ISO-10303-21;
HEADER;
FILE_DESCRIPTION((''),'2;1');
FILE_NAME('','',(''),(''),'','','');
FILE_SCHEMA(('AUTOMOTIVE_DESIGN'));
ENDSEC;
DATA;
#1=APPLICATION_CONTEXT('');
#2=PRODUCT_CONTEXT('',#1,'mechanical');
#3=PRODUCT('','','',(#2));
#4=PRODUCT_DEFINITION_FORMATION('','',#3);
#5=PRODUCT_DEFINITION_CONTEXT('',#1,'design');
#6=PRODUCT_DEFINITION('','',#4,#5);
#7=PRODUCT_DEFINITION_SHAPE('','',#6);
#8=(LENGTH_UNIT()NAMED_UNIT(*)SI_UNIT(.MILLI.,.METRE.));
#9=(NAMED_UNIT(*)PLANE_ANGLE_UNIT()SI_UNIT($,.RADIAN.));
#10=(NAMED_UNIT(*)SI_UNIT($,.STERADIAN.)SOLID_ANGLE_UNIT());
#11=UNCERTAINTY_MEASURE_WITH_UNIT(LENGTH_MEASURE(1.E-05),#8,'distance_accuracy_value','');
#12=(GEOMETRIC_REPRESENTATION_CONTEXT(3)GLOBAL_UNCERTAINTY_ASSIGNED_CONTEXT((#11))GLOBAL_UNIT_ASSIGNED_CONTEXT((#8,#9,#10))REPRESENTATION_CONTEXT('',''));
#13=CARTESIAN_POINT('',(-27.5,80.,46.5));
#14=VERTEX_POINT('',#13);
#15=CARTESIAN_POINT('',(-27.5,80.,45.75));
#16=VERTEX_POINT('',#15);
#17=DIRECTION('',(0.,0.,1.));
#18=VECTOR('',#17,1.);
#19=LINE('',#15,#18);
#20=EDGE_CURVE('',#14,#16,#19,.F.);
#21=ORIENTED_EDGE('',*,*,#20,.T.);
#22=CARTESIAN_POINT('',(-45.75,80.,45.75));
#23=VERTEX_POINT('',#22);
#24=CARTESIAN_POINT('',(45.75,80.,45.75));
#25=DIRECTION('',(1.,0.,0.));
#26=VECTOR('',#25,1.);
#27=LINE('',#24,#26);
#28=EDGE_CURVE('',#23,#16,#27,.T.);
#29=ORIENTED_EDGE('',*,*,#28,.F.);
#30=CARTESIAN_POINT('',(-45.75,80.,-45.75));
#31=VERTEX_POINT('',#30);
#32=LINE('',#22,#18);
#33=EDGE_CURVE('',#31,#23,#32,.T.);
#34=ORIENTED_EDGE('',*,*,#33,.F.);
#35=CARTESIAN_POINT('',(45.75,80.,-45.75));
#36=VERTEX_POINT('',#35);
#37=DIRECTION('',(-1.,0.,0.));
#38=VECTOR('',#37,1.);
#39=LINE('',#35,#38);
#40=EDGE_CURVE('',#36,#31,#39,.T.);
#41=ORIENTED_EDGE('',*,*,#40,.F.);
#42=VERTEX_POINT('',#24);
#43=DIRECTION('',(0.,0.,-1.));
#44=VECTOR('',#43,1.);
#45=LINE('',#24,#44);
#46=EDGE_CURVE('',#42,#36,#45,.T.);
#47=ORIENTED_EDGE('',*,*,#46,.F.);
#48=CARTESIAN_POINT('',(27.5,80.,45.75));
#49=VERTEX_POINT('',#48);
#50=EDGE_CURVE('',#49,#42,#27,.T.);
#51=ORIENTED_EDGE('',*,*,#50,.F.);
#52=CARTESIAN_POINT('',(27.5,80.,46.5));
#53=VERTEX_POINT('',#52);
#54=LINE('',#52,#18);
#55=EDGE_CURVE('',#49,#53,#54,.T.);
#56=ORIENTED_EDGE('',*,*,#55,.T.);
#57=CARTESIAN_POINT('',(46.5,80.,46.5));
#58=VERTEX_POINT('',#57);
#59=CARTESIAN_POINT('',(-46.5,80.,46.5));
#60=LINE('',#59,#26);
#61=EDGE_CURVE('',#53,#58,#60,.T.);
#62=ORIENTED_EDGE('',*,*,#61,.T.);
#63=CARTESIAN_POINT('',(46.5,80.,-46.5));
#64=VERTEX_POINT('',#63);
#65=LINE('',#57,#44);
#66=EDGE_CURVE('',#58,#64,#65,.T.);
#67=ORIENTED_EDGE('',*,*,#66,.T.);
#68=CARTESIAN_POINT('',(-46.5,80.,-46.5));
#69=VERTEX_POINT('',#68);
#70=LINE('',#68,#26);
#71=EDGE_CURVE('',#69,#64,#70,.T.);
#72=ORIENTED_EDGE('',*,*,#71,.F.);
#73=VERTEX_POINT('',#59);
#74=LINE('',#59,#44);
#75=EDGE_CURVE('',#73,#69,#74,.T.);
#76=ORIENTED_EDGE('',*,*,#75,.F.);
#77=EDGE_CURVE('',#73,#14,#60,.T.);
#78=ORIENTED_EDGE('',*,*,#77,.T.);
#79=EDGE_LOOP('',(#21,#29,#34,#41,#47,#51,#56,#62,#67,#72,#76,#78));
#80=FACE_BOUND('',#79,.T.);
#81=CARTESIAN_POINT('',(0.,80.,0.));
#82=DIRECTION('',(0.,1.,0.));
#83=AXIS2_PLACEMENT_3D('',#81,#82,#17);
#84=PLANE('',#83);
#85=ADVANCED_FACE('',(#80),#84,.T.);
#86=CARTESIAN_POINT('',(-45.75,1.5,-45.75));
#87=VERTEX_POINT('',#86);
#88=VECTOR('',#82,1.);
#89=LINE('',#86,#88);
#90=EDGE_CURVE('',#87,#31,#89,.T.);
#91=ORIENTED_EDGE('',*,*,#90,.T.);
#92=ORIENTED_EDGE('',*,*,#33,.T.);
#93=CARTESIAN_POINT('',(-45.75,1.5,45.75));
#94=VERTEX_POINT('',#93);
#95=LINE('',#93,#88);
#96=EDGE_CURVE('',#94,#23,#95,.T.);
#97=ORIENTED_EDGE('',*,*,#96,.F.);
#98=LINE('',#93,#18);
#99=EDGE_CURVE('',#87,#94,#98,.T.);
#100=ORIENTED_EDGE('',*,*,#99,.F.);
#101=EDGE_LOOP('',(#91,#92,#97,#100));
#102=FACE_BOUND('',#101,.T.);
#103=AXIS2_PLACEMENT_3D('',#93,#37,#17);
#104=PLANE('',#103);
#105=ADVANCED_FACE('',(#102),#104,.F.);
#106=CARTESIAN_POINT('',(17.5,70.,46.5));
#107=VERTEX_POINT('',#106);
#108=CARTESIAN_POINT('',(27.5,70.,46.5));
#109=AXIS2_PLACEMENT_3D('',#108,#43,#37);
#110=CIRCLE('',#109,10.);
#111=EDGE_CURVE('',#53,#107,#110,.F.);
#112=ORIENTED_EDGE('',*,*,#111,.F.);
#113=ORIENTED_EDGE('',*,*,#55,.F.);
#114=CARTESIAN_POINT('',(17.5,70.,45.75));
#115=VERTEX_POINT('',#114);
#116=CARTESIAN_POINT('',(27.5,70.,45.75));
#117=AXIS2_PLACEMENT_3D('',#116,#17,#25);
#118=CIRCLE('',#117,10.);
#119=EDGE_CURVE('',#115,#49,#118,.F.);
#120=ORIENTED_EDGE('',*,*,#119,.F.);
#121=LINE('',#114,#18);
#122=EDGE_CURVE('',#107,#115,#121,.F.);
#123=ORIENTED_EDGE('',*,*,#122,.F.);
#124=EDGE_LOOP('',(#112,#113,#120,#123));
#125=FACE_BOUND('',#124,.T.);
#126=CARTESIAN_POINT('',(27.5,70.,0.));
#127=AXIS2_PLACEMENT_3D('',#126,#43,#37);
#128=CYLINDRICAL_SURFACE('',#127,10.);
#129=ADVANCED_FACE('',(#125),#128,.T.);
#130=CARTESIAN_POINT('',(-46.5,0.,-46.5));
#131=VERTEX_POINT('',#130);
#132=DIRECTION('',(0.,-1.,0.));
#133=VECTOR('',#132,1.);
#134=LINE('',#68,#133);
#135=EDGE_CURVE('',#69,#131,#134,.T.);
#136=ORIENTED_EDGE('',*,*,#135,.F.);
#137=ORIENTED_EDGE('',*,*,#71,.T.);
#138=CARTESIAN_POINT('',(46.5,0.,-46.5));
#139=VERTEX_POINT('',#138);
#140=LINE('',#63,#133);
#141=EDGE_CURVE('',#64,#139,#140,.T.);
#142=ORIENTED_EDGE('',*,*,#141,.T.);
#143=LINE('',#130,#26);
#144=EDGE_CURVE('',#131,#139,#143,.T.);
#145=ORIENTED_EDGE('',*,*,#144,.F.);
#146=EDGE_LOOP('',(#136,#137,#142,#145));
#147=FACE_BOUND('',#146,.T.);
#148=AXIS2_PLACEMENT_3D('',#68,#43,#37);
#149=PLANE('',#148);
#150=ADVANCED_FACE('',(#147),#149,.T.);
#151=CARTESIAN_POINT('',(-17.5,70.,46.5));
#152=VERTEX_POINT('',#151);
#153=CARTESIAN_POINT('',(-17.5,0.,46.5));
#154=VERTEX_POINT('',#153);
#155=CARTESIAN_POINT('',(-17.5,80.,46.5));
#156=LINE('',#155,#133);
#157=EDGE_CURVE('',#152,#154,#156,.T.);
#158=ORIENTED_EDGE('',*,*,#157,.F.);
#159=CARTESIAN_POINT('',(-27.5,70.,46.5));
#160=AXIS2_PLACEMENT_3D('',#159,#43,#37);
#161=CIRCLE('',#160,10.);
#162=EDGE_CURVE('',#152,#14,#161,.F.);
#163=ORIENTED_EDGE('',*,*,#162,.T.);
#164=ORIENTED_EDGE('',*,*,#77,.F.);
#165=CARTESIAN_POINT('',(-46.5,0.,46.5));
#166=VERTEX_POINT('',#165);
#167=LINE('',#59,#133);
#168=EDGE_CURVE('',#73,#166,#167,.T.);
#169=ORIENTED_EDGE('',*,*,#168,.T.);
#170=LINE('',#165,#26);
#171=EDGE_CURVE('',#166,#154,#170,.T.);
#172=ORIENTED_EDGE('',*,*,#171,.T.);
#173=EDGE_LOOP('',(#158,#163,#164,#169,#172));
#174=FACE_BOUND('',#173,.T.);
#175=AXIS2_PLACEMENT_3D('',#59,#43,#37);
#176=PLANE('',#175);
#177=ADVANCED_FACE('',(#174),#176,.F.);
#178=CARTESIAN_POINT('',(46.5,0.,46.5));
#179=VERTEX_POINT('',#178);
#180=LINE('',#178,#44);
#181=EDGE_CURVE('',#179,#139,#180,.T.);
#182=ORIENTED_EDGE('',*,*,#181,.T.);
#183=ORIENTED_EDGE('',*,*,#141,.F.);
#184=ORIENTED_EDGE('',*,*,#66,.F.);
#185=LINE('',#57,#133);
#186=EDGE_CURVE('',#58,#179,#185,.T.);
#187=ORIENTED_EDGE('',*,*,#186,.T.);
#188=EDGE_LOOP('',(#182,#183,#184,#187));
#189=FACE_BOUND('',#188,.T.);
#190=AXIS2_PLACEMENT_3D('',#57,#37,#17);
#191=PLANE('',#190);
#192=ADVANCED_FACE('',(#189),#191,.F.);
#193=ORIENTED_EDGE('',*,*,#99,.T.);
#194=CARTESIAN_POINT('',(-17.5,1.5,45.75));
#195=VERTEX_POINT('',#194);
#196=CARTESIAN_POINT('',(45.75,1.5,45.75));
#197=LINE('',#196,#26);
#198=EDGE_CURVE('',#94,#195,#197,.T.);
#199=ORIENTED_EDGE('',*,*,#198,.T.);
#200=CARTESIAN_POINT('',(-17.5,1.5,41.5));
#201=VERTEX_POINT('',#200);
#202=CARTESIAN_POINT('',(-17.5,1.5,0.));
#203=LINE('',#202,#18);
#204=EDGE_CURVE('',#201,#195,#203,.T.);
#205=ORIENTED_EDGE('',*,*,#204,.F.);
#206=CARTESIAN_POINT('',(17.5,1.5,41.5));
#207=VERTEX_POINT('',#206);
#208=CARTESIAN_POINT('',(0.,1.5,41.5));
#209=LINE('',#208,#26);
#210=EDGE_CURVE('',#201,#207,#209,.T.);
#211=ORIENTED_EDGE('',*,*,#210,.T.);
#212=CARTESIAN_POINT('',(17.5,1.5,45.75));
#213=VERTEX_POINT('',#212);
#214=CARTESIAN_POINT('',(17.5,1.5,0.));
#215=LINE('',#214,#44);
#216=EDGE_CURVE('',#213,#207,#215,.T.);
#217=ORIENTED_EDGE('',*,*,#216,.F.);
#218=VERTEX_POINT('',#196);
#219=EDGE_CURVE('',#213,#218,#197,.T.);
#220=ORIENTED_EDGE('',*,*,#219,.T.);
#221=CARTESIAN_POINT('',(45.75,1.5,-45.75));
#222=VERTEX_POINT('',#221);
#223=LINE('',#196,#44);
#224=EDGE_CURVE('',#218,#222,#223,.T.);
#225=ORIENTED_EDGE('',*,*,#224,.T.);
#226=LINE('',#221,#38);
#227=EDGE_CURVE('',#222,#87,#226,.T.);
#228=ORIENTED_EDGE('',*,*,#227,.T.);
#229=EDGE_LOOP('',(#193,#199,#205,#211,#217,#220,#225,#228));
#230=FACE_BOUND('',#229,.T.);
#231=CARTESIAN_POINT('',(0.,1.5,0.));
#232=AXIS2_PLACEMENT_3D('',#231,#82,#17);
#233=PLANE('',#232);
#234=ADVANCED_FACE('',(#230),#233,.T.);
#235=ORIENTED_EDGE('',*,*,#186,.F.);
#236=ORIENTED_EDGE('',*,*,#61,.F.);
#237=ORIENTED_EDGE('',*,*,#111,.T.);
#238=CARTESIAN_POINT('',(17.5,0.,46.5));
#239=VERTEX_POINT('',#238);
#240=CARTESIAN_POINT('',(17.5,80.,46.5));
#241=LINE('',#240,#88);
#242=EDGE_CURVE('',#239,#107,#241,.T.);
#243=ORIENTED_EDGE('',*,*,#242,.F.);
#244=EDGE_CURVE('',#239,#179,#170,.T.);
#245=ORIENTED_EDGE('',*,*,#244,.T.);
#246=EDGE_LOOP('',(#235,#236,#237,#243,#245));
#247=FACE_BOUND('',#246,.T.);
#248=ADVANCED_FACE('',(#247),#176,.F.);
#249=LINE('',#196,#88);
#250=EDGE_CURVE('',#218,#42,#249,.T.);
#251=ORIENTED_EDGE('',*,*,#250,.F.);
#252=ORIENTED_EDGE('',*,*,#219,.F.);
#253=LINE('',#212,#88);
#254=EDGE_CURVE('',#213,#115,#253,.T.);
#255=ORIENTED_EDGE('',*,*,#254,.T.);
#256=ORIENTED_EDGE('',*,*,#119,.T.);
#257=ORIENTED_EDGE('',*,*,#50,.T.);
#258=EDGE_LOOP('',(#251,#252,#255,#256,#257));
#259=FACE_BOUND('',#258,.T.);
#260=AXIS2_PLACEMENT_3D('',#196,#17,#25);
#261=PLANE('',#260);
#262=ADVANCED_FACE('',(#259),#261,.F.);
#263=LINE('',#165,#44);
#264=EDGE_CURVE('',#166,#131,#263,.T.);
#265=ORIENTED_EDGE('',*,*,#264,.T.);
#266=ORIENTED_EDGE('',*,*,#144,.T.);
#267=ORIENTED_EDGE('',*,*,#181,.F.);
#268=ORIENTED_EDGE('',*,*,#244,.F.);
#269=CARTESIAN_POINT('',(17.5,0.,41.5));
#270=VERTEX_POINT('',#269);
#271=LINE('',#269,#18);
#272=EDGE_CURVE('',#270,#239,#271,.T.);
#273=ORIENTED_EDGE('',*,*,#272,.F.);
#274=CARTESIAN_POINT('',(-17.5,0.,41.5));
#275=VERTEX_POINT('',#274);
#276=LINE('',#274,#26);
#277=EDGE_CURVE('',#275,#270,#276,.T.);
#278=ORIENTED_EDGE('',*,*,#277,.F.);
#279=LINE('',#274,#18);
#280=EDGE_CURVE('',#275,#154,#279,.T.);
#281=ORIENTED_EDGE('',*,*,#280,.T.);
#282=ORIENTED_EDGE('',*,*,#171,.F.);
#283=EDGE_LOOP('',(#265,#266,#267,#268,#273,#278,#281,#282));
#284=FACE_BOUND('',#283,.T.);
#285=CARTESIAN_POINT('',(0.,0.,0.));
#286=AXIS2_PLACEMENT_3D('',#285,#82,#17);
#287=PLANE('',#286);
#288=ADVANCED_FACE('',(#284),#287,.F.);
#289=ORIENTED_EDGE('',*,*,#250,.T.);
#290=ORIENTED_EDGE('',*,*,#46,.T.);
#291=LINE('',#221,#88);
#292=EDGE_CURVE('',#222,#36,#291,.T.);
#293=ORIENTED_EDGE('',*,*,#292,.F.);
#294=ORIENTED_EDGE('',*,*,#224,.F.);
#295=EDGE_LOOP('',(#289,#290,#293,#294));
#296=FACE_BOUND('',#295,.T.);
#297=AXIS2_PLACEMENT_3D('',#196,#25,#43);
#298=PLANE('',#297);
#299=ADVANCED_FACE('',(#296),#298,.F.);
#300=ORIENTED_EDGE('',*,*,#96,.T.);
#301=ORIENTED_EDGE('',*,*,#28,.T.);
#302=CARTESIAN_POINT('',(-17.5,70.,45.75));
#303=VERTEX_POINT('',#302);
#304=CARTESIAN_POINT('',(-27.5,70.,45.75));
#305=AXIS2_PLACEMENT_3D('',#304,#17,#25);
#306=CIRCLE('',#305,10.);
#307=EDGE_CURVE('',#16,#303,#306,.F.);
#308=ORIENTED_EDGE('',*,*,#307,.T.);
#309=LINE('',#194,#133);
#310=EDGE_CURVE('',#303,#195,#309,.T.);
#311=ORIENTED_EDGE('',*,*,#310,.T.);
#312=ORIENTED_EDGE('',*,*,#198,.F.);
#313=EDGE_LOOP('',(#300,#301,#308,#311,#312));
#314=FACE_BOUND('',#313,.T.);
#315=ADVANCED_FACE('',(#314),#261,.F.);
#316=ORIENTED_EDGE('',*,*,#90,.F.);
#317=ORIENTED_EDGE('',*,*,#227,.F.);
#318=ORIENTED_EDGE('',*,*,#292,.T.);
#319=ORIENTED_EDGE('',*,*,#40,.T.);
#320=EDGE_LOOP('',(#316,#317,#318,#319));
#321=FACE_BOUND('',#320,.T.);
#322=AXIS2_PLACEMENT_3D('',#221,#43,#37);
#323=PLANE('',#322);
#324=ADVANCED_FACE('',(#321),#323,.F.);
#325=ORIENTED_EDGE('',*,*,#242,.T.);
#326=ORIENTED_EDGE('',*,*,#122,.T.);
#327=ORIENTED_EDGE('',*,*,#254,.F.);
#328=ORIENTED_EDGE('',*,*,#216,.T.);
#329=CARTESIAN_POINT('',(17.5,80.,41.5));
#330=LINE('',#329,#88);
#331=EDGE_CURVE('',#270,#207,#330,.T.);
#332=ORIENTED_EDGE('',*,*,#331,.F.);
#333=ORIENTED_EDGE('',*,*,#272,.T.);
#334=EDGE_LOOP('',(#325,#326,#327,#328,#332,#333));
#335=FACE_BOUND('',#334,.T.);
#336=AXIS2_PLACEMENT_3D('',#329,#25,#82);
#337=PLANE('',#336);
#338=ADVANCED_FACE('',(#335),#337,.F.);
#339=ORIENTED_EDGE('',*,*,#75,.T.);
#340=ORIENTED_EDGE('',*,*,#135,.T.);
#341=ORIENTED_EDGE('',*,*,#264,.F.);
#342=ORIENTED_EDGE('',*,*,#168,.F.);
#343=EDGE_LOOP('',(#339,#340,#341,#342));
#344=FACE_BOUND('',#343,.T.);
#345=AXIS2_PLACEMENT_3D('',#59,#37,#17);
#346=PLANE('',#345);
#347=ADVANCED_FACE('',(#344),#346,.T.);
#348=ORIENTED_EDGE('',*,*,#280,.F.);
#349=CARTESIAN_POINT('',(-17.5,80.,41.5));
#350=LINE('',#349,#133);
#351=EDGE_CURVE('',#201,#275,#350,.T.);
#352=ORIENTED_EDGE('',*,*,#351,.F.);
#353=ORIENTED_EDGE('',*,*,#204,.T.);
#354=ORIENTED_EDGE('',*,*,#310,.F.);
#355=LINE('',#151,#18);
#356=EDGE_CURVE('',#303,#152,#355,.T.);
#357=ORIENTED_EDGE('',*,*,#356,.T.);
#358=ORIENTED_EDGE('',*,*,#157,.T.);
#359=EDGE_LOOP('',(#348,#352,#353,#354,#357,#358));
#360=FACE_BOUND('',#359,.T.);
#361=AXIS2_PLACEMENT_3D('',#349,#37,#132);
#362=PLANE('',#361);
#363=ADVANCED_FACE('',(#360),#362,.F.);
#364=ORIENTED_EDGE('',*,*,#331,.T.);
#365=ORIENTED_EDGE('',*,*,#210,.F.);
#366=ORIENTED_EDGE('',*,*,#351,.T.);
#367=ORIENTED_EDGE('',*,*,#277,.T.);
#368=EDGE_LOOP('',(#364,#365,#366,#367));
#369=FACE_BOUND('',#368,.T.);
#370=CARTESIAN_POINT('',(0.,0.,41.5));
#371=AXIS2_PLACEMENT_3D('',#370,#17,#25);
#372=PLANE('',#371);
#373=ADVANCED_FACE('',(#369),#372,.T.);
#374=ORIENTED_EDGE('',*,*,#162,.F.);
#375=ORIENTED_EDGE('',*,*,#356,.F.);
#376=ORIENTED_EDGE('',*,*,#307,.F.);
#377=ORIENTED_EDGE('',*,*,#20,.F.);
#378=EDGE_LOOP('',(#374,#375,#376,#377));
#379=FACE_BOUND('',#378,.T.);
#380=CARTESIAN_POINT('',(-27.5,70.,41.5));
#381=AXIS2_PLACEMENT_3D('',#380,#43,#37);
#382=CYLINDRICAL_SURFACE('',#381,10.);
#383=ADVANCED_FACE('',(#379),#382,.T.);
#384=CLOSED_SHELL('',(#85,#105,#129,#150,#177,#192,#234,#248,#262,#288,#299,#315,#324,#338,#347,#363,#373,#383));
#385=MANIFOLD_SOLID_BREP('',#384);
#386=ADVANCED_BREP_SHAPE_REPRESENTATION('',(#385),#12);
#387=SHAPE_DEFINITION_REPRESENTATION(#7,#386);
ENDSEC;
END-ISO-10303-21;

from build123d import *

# Parameters (mm, degrees)
SKETCH2_W           = 93
SKETCH2_H           = 93
BOSS_EXTRUDE2_DEPTH = 80
SKETCH3_W           = 91.5
SKETCH3_H           = 91.5
CUT_EXTRUDE1_DEPTH  = 78.5
SKETCH6_W           = 35
SKETCH6_H           = 80
CUT_EXTRUDE2_DEPTH  = 5
FILLET1_R           = 10
FILLET2_R           = 10


with BuildPart() as part:
    # Sketch2 → Boss-Extrude2 (new body)
    with BuildSketch(Plane(origin=(0, 0, 0), x_dir=(1, 0, 0), z_dir=(0, 1, 0))):
        Rectangle(SKETCH2_W, SKETCH2_H)
    extrude(amount=BOSS_EXTRUDE2_DEPTH)

    # Sketch3 → Cut-Extrude1 (cut)
    with BuildSketch(Plane(origin=(0, 80, 0), x_dir=(1, 0, 0), z_dir=(0, 1, 0))):
        Rectangle(SKETCH3_W, SKETCH3_H)
    extrude(amount=-CUT_EXTRUDE1_DEPTH, mode=Mode.SUBTRACT)

    # Sketch6 → Cut-Extrude2 (cut)
    with BuildSketch(Plane.XY.offset(46.5)):
        with Locations((0, 40)):
            Rectangle(SKETCH6_W, SKETCH6_H)
    extrude(amount=-CUT_EXTRUDE2_DEPTH, mode=Mode.SUBTRACT)

    # Fillet1
    fillet1_edges = [part.edges().sort_by_distance(p)[0] for p in [
        (-17.5, 80, 46.125),
    ]]
    fillet(fillet1_edges, radius=FILLET1_R)

    # Fillet2
    fillet2_edges = [part.edges().sort_by_distance(p)[0] for p in [
        (17.5, 80, 46.125),
    ]]
    fillet(fillet2_edges, radius=FILLET2_R)


solid = part.part
